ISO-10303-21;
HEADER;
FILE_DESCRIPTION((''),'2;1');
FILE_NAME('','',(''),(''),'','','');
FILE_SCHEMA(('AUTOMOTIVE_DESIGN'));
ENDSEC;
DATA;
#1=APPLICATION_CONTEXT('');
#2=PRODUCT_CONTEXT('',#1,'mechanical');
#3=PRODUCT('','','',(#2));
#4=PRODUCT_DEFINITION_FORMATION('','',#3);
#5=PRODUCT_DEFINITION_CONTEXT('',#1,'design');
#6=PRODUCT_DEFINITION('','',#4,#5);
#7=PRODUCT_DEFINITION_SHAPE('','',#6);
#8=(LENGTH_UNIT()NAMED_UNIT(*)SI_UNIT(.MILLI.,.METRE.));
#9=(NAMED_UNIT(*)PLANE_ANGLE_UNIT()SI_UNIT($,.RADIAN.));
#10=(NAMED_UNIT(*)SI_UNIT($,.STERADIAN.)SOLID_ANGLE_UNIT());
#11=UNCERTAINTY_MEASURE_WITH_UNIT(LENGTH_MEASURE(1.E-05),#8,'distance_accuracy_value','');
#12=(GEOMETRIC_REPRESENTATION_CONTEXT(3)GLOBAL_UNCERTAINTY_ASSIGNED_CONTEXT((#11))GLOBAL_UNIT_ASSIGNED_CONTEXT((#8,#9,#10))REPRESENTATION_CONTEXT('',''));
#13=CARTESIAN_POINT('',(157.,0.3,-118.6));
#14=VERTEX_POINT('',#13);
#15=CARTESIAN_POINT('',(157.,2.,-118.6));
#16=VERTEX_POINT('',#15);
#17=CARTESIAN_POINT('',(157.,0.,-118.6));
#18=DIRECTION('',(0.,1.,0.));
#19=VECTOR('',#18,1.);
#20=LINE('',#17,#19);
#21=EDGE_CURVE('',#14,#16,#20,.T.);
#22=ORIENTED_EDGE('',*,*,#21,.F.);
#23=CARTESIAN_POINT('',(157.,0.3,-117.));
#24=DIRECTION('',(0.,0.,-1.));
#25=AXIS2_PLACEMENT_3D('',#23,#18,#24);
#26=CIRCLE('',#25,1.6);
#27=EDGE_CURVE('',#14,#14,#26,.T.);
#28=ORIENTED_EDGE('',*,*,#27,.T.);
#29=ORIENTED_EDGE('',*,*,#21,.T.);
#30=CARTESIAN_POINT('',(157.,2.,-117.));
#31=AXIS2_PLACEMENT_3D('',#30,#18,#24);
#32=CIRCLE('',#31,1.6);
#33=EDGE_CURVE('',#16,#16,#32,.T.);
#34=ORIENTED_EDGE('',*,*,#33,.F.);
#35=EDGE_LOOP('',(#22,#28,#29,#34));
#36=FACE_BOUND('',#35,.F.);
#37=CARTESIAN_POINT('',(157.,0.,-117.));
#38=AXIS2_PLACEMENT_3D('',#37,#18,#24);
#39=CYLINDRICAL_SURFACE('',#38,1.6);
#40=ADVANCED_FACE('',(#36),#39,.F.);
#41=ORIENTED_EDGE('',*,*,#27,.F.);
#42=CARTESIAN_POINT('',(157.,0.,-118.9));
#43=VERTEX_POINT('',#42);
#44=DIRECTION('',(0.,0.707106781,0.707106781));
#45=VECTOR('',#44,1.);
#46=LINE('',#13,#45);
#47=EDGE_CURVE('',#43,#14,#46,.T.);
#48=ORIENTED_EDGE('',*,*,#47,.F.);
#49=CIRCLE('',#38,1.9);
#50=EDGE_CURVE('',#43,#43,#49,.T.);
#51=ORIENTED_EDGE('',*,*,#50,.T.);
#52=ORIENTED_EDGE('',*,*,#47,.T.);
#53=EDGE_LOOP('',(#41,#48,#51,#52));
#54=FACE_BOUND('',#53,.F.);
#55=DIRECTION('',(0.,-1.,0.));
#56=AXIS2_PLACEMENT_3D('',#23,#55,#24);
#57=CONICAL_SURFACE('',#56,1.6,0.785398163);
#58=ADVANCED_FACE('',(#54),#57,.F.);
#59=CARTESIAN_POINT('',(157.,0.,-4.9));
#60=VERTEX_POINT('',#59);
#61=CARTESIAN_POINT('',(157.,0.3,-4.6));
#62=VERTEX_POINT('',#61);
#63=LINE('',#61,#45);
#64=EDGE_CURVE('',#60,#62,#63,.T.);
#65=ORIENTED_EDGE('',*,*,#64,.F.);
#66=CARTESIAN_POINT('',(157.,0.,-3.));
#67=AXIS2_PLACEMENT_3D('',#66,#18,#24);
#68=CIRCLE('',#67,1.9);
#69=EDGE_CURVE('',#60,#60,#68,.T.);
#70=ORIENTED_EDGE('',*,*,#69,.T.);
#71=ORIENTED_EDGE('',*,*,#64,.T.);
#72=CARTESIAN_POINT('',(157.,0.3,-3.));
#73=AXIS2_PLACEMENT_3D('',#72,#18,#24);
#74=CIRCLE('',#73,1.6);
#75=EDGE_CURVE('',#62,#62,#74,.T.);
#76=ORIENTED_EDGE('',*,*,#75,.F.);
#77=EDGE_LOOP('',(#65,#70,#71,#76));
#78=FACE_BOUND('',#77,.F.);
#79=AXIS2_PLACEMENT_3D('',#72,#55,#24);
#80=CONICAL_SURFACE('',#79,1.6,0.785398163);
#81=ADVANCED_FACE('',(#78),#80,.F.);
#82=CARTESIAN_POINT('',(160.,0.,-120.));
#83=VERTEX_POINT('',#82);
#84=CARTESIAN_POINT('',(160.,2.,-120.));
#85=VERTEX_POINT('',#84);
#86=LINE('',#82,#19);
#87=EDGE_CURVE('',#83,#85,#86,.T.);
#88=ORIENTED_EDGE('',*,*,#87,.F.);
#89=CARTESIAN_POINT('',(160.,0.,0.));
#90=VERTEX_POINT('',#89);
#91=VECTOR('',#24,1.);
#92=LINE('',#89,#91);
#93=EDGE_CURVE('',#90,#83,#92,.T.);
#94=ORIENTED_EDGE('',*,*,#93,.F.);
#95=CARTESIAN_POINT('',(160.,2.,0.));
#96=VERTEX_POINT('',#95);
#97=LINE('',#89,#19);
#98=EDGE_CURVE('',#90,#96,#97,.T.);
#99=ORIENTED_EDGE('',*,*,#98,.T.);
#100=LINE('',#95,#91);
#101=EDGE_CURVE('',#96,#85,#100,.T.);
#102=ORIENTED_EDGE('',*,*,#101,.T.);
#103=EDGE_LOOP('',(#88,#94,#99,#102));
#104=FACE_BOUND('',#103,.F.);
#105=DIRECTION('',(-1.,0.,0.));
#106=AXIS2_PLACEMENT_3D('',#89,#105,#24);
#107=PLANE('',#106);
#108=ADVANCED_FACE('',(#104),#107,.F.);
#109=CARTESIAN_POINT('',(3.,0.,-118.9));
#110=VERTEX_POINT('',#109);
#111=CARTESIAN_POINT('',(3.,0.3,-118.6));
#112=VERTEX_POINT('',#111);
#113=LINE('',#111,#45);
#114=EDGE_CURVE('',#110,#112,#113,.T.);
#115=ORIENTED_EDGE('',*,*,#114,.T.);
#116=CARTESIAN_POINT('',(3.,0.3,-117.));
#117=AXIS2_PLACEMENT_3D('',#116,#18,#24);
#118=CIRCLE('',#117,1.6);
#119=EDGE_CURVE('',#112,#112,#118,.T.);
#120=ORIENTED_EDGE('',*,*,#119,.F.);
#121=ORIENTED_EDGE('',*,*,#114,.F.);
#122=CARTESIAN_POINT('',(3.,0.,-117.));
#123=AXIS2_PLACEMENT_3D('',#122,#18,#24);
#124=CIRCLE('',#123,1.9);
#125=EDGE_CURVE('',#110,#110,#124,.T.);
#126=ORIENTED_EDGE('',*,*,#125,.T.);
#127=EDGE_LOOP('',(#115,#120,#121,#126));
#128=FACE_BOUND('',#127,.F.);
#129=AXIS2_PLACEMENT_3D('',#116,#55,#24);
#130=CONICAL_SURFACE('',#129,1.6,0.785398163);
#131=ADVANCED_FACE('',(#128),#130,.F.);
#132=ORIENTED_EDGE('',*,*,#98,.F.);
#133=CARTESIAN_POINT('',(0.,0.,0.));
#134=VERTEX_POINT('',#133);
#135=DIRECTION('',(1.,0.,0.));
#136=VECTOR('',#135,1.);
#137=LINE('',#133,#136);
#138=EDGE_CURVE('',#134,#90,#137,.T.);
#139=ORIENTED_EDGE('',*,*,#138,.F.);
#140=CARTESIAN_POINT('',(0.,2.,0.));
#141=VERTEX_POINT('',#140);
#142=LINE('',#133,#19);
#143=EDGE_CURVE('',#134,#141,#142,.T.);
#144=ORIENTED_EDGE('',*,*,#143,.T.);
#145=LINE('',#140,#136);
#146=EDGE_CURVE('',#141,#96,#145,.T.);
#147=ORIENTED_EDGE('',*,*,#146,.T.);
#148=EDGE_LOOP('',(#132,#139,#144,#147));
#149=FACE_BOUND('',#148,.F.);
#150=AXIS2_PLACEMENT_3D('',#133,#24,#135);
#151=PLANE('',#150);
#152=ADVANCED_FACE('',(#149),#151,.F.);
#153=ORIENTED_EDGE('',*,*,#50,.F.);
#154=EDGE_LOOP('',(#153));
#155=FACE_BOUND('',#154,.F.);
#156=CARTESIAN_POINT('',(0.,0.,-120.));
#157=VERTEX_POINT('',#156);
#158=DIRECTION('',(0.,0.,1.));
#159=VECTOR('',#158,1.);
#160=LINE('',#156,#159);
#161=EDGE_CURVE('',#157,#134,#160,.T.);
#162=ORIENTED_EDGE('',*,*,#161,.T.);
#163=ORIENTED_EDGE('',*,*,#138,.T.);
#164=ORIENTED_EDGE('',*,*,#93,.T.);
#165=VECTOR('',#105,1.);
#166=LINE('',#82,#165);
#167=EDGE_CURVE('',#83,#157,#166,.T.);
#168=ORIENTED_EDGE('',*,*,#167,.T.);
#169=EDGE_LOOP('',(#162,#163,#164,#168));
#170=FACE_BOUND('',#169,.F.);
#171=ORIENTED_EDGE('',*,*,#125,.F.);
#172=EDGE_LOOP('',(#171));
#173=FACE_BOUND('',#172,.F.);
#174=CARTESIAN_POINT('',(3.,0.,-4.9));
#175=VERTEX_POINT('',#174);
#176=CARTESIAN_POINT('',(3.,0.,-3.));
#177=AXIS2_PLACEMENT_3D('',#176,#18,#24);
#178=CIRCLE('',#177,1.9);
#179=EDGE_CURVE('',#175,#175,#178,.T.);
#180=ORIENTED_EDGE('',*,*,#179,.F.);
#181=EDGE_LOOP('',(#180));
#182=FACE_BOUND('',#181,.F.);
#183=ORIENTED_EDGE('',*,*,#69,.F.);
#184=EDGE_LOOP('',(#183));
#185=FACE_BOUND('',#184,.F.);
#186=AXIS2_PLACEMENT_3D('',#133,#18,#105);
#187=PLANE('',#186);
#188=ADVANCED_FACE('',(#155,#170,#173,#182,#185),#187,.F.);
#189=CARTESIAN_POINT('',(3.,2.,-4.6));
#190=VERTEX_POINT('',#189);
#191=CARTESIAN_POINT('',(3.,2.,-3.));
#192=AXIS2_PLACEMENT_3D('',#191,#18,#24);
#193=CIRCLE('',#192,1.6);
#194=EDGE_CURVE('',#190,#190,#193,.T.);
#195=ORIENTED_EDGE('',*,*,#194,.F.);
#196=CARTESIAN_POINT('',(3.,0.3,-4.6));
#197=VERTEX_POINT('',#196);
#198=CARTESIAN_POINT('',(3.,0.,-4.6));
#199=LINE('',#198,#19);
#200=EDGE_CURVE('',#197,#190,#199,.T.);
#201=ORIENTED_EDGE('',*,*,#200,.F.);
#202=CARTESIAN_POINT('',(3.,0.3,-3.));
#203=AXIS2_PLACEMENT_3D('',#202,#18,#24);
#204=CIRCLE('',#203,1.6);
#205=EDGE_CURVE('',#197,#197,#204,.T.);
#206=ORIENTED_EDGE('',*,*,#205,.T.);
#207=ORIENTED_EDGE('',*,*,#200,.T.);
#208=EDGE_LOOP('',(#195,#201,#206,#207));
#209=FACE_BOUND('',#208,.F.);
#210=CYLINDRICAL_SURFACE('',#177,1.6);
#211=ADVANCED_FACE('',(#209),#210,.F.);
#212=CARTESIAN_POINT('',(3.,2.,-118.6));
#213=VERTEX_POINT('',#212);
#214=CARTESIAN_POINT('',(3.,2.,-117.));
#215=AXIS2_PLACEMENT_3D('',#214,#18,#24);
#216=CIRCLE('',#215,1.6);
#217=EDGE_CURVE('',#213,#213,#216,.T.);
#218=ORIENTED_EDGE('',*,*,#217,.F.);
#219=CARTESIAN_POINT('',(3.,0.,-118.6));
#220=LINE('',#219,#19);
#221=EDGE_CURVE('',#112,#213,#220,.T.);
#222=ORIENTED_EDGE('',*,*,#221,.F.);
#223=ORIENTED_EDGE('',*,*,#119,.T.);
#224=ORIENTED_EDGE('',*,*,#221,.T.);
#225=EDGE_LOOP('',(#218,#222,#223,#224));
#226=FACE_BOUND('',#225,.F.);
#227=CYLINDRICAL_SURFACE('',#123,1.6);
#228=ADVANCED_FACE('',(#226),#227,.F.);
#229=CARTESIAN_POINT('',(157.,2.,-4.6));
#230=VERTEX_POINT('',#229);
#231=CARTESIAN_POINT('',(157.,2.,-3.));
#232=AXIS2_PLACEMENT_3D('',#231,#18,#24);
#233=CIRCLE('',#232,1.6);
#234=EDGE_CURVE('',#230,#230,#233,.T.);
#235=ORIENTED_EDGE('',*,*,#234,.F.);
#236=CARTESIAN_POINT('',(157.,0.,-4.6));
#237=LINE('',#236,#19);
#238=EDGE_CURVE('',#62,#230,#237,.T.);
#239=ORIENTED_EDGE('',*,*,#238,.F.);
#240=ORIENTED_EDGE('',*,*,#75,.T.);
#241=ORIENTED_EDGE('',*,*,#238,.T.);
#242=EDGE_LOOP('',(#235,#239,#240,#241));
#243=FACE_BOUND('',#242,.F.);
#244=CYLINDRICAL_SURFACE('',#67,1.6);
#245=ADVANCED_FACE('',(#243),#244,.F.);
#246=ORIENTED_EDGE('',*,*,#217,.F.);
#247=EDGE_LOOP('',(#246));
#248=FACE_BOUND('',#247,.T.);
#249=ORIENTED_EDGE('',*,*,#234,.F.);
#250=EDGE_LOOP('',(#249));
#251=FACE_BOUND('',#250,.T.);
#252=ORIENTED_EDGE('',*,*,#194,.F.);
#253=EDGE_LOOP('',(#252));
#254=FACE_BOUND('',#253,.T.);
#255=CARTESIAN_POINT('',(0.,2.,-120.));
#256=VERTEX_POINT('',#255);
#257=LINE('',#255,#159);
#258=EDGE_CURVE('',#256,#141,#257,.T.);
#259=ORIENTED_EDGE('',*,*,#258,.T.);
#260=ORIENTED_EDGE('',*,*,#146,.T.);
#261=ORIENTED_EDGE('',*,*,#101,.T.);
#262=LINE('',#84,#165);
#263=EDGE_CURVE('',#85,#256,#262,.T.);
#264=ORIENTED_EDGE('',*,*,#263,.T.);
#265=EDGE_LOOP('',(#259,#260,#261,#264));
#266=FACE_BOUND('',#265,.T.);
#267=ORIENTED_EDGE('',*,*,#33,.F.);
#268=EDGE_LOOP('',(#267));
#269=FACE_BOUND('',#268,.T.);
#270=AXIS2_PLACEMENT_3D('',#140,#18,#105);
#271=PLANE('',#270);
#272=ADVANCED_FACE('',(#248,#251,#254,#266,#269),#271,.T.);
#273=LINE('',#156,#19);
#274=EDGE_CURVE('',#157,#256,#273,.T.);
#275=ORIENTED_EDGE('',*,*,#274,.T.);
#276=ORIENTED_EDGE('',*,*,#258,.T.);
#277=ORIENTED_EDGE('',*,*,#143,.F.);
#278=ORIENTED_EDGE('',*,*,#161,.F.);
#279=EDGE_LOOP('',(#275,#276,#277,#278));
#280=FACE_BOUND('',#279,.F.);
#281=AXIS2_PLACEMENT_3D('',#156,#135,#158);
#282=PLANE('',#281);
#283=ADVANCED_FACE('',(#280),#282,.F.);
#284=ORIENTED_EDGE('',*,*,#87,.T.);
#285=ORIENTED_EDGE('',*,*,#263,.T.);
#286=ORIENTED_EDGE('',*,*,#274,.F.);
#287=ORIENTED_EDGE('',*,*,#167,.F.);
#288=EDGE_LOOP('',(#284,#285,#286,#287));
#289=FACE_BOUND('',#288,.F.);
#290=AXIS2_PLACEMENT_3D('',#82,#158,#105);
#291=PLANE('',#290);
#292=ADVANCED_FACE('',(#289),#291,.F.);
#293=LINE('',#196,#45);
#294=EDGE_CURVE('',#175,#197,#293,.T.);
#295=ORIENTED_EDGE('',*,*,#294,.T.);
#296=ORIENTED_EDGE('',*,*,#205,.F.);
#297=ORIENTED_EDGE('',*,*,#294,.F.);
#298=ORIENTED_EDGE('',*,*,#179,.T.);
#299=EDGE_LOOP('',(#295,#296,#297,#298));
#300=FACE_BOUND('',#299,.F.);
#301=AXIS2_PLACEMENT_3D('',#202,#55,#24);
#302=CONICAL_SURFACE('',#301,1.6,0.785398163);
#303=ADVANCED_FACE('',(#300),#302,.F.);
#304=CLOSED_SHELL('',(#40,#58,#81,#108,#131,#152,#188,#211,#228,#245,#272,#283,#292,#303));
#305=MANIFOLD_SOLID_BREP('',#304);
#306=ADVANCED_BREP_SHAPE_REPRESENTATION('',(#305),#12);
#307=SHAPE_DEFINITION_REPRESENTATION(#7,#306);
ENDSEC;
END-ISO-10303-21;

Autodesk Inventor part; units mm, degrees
ref_plane "YZ Plane" through (0, 0, 0) normal (1, 0, 0) x (0, 1, 0)
ref_plane "XZ Plane" through (0, 0, 0) normal (0, 1, 0) x (-1, 0, 0)
ref_plane "XY Plane" through (0, 0, 0) normal (0, 0, 1) x (1, 0, 0)
sketch "Sketch1" plane through (0, 0, 0) normal (0, 1, 0) x (-1, 0, 0)
  line L0 (0, 0) -> (-160, 0)
  line L1 (-160, 0) -> (-160, -120)
  line L2 (-160, -120) -> (0, -120)
  line L3 (0, -120) -> (0, 0)
  dimension "d0" = 160
  dimension "d1" = 120
extrude "Extrusion1" add sketch "Sketch1" along normal blind 2
sketch "Sketch2" plane through (0, 0, 0) normal (0, -1, 0) x (1, 0, 0)
  line L0 (157, -3) -> (3, -3) construction
  line L1 (3, -3) -> (3, -117) construction
  line L2 (3, -117) -> (157, -117) construction
  line L3 (157, -117) -> (157, -3) construction
  line L4 (0, 0) -> (160, 0) construction
  line L5 (160, -120) -> (0, -120) construction
  line L6 (160, 0) -> (160, -120) construction
  line L7 (0, -120) -> (0, 0) construction
  circle A0 centre (157, -3) radius 1 construction
  circle A1 centre (157, -117) radius 1 construction
  circle A2 centre (3, -117) radius 1 construction
  circle A3 centre (3, -3) radius 1 construction
  dimension "d4" = 3
  dimension "d5" = 3
  dimension "d6" = 3
  dimension "d7" = 3
  dimension "d8" = 2
  dimension "d9" = 2
  dimension "d10" = 2
  dimension "d11" = 2
hole "Hole1" at (3, 0, -3) at (3, 0, -117) at (157, 0, -117) at (157, 0, -3) direction (0, 1, 0) diameter 3.2 depth 7.2 tip angle 118
chamfer "Chamfer1" distance 0.3 angle 45 4 edges at (157, 0, -115.4) (3, 0, -115.4) (157, 0, -1.4) (3, 0, -1.4)
equation "\"d4\" = d5"
equation "\"d6\" = d5"
equation "\"d7\" = d5"
properties part number "plyta-dolna"
